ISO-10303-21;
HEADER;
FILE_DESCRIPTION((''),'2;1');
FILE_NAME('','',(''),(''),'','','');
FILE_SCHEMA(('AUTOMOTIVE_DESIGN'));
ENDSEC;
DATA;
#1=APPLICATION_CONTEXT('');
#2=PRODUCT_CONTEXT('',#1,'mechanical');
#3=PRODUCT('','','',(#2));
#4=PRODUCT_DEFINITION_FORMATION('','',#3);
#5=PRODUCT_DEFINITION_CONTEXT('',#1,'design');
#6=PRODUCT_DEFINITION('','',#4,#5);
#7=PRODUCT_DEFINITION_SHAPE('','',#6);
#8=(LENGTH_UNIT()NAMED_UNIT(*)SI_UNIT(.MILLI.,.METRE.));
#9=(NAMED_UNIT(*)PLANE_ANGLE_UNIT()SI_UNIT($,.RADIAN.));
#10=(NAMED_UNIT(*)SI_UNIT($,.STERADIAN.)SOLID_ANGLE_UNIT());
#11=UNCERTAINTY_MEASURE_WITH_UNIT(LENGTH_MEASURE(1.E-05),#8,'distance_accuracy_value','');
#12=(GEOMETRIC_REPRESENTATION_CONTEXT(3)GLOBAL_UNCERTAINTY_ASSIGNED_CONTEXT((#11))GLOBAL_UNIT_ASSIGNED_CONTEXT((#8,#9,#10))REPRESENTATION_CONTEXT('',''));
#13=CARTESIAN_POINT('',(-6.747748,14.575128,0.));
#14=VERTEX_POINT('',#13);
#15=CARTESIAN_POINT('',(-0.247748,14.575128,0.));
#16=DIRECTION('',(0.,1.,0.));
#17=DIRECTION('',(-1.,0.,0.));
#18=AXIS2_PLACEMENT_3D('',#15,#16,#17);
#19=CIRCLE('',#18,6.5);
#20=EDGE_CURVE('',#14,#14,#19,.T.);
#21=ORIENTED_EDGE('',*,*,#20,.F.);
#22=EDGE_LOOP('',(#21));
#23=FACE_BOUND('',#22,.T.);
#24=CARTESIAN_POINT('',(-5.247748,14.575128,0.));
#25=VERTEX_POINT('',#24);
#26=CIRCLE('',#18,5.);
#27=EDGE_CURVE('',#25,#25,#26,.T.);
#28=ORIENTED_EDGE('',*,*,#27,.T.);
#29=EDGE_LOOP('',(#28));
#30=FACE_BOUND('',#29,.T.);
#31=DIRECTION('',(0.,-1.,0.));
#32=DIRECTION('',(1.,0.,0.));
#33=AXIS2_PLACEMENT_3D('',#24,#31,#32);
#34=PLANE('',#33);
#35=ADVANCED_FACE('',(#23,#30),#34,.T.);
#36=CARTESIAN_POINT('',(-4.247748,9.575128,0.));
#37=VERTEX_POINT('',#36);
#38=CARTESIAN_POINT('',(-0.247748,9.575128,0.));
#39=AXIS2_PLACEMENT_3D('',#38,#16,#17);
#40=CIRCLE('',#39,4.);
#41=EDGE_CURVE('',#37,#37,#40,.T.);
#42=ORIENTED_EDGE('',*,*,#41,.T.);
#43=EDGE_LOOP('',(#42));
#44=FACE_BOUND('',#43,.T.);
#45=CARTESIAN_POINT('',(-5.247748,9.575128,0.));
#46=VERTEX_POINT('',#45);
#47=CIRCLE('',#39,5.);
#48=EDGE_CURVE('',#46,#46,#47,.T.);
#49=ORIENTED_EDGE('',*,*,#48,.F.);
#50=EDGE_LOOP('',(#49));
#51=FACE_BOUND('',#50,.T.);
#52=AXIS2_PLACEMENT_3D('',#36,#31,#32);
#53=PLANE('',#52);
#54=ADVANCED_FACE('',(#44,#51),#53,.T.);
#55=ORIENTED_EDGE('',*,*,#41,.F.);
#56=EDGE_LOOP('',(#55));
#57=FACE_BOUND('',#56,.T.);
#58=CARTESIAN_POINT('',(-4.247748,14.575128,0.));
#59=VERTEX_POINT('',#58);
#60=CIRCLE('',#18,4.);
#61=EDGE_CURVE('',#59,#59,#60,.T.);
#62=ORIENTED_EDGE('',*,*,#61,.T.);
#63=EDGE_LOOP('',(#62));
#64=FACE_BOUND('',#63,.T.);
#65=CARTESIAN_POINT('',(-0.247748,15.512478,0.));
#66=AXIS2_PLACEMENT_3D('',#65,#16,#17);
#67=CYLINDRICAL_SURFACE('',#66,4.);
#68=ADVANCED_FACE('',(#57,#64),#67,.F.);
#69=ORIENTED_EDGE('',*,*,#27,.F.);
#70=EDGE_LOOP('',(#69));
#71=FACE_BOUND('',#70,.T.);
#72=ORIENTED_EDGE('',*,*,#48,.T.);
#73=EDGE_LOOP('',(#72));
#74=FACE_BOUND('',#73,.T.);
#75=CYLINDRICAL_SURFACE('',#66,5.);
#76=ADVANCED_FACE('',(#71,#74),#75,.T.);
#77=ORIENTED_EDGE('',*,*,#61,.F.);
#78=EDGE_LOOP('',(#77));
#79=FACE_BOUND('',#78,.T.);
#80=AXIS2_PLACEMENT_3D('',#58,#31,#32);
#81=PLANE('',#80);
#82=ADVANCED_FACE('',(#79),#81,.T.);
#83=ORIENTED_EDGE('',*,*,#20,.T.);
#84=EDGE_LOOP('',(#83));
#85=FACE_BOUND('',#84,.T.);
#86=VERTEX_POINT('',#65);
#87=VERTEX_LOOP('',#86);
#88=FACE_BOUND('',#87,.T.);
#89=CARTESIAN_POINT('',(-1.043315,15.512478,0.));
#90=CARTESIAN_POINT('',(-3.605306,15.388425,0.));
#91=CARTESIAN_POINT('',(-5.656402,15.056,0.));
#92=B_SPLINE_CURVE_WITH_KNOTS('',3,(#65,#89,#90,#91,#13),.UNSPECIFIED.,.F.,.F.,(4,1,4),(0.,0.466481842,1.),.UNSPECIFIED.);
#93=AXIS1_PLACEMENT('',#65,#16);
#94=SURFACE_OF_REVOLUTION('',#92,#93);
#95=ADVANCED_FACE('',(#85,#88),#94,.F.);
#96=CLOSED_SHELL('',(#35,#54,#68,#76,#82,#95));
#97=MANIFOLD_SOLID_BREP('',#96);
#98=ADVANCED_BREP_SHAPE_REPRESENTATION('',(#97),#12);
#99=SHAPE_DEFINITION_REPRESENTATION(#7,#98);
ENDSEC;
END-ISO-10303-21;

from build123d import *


with BuildPart() as part:
    # Sketch1 → Revolve1 (revolve)
    with BuildSketch(Plane.XY):
        with BuildLine():
            Line((-4.247747681, 9.575128247), (-5.247747681, 9.575128247))
            Line((-5.247747681, 9.575128247), (-5.247747681, 14.575128247))
            Line((-5.247747681, 14.575128247), (-6.747747681, 14.575128247))
            add(Edge.make_bspline(
                [(-6.747747681, 14.575128247), (-5.656402444, 15.055999891), (-3.605305926, 15.388425446), (-1.043314706, 15.512478323), (-0.247747681, 15.512478323)],
                knots=[0, 0, 0, 0, 0.533518158, 1, 1, 1, 1], degree=3))
            Line((-0.247747681, 15.512478323), (-0.247747681, 14.575128247))
            Line((-0.247747681, 14.575128247), (-4.247747681, 14.575128247))
            Line((-4.247747681, 14.575128247), (-4.247747681, 9.575128247))
        make_face()
    revolve(axis=Axis((-0.247747681, 15.512478323, 0), (0, -1, 0)))


solid = part.part
